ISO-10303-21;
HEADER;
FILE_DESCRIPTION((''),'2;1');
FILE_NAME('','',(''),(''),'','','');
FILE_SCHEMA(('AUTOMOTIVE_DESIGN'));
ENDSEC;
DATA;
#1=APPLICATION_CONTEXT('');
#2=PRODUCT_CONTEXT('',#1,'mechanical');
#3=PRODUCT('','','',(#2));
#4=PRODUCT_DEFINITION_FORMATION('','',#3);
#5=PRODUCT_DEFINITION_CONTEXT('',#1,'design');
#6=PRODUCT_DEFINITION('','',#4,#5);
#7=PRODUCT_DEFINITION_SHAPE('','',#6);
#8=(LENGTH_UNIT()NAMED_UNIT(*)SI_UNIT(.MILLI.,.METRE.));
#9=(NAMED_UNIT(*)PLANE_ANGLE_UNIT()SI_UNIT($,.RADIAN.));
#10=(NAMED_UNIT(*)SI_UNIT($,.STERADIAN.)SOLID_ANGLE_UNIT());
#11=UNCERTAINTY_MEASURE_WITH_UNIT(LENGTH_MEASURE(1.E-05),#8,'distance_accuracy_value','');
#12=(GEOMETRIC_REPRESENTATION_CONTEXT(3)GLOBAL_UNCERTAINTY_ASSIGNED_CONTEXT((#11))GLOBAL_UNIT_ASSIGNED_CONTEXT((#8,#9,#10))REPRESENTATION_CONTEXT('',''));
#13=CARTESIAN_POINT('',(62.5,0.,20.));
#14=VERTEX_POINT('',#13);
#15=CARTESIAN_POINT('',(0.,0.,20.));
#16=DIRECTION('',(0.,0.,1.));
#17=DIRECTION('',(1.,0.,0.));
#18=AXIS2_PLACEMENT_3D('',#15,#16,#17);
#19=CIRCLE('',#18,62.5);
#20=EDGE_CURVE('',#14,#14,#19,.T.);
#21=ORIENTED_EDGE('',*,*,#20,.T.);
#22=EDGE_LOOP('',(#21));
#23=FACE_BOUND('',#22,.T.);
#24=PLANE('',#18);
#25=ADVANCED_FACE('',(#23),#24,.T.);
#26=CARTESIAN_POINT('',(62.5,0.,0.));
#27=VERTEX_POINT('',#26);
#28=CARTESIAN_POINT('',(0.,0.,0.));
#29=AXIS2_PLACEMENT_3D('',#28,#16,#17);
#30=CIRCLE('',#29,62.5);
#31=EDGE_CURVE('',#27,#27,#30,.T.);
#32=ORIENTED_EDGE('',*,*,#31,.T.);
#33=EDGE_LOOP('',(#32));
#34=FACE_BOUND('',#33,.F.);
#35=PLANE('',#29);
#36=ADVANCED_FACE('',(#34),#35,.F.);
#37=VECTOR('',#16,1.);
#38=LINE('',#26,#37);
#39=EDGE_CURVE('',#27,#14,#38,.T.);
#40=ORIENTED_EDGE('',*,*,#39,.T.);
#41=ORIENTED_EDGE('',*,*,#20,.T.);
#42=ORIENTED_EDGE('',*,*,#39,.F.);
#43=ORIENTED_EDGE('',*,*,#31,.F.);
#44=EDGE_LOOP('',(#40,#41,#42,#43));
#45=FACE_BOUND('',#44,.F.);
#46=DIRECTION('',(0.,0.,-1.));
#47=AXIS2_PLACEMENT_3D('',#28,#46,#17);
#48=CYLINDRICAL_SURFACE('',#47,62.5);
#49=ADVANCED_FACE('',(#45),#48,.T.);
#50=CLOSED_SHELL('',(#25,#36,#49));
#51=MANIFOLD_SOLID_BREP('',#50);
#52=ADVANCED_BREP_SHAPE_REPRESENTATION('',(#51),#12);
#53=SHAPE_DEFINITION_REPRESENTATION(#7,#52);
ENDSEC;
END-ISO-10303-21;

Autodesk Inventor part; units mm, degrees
ref_plane "YZ Plane" through (0, 0, 0) normal (1, 0, 0) x (0, 1, 0)
ref_plane "XZ Plane" through (0, 0, 0) normal (0, 1, 0) x (-1, 0, 0)
ref_plane "XY Plane" through (0, 0, 0) normal (0, 0, 1) x (1, 0, 0)
sketch "Sketch1" plane through (0, 0, 0) normal (0, 0, 1) x (1, 0, 0)
  circle A0 centre (0, 0) radius 62.5
  dimension "d0" = 125
extrude "Extrusion1" add sketch "Sketch1" along normal blind 20
properties part number "hottop"
